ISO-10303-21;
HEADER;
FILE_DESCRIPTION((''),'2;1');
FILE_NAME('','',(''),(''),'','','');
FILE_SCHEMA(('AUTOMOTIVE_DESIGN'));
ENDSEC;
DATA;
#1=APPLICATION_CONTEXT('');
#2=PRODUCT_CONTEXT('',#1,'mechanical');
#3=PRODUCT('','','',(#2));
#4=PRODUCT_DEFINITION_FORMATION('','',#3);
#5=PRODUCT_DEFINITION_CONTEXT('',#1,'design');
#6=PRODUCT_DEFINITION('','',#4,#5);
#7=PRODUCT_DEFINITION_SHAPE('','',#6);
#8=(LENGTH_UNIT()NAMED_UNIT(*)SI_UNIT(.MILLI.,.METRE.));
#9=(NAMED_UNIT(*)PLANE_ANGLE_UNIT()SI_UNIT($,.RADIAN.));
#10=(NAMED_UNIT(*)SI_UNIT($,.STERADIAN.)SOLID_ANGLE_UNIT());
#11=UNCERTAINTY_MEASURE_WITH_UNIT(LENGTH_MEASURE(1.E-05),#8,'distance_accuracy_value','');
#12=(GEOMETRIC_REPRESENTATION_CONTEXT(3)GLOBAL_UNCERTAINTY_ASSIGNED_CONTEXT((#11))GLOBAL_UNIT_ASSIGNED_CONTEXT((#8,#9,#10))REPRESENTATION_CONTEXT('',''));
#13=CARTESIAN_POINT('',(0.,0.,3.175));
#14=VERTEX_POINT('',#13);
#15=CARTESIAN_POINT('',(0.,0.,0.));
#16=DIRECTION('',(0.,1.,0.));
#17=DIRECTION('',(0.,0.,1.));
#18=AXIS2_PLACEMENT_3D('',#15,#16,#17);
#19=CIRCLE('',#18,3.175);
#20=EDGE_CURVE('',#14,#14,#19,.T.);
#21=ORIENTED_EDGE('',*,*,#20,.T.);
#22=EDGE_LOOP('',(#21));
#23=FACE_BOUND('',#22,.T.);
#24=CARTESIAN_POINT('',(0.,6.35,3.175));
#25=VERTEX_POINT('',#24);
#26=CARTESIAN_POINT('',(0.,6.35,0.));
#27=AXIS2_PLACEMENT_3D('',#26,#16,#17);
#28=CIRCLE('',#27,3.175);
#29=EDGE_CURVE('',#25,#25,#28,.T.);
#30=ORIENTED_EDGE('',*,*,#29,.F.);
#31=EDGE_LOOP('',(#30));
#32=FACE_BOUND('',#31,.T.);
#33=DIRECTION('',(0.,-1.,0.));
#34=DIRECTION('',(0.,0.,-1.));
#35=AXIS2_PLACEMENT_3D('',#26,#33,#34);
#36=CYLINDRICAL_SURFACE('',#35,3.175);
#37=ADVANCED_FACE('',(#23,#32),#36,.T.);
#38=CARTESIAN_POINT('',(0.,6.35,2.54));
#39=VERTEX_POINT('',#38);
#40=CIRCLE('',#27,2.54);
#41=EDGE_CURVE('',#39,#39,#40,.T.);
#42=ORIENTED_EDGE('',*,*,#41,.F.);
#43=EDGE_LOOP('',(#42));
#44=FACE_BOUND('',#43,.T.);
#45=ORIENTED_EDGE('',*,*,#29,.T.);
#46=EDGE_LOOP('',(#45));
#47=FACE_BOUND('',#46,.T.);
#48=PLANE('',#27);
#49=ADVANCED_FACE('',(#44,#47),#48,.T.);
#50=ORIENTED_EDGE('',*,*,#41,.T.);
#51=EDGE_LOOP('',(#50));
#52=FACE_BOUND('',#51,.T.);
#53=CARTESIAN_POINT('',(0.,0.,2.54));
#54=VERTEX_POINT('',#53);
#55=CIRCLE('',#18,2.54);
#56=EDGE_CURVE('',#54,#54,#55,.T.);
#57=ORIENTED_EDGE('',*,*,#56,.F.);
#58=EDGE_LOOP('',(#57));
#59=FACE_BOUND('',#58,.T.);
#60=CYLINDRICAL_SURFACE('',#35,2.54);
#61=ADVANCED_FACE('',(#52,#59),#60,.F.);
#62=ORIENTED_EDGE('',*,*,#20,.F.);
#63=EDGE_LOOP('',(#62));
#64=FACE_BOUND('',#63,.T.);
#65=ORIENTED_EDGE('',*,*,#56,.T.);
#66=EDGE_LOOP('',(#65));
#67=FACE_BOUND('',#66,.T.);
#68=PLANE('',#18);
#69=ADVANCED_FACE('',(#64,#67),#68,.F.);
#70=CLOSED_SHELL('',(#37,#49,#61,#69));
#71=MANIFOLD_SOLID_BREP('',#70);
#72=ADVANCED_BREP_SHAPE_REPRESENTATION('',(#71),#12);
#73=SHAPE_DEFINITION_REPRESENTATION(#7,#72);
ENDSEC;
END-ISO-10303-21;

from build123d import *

# Parameters (mm, degrees)
SKETCH1_R           = 3.175
SKETCH1_R_2         = 2.54
BOSS_EXTRUDE1_DEPTH = 6.35


with BuildPart() as part:
    # Sketch1 → Boss-Extrude1 (new body)
    with BuildSketch(Plane(origin=(0, 0, 0), x_dir=(1, 0, 0), z_dir=(0, 1, 0))):
        Circle(SKETCH1_R)
        Circle(SKETCH1_R_2, mode=Mode.SUBTRACT)
    extrude(amount=BOSS_EXTRUDE1_DEPTH)


solid = part.part
